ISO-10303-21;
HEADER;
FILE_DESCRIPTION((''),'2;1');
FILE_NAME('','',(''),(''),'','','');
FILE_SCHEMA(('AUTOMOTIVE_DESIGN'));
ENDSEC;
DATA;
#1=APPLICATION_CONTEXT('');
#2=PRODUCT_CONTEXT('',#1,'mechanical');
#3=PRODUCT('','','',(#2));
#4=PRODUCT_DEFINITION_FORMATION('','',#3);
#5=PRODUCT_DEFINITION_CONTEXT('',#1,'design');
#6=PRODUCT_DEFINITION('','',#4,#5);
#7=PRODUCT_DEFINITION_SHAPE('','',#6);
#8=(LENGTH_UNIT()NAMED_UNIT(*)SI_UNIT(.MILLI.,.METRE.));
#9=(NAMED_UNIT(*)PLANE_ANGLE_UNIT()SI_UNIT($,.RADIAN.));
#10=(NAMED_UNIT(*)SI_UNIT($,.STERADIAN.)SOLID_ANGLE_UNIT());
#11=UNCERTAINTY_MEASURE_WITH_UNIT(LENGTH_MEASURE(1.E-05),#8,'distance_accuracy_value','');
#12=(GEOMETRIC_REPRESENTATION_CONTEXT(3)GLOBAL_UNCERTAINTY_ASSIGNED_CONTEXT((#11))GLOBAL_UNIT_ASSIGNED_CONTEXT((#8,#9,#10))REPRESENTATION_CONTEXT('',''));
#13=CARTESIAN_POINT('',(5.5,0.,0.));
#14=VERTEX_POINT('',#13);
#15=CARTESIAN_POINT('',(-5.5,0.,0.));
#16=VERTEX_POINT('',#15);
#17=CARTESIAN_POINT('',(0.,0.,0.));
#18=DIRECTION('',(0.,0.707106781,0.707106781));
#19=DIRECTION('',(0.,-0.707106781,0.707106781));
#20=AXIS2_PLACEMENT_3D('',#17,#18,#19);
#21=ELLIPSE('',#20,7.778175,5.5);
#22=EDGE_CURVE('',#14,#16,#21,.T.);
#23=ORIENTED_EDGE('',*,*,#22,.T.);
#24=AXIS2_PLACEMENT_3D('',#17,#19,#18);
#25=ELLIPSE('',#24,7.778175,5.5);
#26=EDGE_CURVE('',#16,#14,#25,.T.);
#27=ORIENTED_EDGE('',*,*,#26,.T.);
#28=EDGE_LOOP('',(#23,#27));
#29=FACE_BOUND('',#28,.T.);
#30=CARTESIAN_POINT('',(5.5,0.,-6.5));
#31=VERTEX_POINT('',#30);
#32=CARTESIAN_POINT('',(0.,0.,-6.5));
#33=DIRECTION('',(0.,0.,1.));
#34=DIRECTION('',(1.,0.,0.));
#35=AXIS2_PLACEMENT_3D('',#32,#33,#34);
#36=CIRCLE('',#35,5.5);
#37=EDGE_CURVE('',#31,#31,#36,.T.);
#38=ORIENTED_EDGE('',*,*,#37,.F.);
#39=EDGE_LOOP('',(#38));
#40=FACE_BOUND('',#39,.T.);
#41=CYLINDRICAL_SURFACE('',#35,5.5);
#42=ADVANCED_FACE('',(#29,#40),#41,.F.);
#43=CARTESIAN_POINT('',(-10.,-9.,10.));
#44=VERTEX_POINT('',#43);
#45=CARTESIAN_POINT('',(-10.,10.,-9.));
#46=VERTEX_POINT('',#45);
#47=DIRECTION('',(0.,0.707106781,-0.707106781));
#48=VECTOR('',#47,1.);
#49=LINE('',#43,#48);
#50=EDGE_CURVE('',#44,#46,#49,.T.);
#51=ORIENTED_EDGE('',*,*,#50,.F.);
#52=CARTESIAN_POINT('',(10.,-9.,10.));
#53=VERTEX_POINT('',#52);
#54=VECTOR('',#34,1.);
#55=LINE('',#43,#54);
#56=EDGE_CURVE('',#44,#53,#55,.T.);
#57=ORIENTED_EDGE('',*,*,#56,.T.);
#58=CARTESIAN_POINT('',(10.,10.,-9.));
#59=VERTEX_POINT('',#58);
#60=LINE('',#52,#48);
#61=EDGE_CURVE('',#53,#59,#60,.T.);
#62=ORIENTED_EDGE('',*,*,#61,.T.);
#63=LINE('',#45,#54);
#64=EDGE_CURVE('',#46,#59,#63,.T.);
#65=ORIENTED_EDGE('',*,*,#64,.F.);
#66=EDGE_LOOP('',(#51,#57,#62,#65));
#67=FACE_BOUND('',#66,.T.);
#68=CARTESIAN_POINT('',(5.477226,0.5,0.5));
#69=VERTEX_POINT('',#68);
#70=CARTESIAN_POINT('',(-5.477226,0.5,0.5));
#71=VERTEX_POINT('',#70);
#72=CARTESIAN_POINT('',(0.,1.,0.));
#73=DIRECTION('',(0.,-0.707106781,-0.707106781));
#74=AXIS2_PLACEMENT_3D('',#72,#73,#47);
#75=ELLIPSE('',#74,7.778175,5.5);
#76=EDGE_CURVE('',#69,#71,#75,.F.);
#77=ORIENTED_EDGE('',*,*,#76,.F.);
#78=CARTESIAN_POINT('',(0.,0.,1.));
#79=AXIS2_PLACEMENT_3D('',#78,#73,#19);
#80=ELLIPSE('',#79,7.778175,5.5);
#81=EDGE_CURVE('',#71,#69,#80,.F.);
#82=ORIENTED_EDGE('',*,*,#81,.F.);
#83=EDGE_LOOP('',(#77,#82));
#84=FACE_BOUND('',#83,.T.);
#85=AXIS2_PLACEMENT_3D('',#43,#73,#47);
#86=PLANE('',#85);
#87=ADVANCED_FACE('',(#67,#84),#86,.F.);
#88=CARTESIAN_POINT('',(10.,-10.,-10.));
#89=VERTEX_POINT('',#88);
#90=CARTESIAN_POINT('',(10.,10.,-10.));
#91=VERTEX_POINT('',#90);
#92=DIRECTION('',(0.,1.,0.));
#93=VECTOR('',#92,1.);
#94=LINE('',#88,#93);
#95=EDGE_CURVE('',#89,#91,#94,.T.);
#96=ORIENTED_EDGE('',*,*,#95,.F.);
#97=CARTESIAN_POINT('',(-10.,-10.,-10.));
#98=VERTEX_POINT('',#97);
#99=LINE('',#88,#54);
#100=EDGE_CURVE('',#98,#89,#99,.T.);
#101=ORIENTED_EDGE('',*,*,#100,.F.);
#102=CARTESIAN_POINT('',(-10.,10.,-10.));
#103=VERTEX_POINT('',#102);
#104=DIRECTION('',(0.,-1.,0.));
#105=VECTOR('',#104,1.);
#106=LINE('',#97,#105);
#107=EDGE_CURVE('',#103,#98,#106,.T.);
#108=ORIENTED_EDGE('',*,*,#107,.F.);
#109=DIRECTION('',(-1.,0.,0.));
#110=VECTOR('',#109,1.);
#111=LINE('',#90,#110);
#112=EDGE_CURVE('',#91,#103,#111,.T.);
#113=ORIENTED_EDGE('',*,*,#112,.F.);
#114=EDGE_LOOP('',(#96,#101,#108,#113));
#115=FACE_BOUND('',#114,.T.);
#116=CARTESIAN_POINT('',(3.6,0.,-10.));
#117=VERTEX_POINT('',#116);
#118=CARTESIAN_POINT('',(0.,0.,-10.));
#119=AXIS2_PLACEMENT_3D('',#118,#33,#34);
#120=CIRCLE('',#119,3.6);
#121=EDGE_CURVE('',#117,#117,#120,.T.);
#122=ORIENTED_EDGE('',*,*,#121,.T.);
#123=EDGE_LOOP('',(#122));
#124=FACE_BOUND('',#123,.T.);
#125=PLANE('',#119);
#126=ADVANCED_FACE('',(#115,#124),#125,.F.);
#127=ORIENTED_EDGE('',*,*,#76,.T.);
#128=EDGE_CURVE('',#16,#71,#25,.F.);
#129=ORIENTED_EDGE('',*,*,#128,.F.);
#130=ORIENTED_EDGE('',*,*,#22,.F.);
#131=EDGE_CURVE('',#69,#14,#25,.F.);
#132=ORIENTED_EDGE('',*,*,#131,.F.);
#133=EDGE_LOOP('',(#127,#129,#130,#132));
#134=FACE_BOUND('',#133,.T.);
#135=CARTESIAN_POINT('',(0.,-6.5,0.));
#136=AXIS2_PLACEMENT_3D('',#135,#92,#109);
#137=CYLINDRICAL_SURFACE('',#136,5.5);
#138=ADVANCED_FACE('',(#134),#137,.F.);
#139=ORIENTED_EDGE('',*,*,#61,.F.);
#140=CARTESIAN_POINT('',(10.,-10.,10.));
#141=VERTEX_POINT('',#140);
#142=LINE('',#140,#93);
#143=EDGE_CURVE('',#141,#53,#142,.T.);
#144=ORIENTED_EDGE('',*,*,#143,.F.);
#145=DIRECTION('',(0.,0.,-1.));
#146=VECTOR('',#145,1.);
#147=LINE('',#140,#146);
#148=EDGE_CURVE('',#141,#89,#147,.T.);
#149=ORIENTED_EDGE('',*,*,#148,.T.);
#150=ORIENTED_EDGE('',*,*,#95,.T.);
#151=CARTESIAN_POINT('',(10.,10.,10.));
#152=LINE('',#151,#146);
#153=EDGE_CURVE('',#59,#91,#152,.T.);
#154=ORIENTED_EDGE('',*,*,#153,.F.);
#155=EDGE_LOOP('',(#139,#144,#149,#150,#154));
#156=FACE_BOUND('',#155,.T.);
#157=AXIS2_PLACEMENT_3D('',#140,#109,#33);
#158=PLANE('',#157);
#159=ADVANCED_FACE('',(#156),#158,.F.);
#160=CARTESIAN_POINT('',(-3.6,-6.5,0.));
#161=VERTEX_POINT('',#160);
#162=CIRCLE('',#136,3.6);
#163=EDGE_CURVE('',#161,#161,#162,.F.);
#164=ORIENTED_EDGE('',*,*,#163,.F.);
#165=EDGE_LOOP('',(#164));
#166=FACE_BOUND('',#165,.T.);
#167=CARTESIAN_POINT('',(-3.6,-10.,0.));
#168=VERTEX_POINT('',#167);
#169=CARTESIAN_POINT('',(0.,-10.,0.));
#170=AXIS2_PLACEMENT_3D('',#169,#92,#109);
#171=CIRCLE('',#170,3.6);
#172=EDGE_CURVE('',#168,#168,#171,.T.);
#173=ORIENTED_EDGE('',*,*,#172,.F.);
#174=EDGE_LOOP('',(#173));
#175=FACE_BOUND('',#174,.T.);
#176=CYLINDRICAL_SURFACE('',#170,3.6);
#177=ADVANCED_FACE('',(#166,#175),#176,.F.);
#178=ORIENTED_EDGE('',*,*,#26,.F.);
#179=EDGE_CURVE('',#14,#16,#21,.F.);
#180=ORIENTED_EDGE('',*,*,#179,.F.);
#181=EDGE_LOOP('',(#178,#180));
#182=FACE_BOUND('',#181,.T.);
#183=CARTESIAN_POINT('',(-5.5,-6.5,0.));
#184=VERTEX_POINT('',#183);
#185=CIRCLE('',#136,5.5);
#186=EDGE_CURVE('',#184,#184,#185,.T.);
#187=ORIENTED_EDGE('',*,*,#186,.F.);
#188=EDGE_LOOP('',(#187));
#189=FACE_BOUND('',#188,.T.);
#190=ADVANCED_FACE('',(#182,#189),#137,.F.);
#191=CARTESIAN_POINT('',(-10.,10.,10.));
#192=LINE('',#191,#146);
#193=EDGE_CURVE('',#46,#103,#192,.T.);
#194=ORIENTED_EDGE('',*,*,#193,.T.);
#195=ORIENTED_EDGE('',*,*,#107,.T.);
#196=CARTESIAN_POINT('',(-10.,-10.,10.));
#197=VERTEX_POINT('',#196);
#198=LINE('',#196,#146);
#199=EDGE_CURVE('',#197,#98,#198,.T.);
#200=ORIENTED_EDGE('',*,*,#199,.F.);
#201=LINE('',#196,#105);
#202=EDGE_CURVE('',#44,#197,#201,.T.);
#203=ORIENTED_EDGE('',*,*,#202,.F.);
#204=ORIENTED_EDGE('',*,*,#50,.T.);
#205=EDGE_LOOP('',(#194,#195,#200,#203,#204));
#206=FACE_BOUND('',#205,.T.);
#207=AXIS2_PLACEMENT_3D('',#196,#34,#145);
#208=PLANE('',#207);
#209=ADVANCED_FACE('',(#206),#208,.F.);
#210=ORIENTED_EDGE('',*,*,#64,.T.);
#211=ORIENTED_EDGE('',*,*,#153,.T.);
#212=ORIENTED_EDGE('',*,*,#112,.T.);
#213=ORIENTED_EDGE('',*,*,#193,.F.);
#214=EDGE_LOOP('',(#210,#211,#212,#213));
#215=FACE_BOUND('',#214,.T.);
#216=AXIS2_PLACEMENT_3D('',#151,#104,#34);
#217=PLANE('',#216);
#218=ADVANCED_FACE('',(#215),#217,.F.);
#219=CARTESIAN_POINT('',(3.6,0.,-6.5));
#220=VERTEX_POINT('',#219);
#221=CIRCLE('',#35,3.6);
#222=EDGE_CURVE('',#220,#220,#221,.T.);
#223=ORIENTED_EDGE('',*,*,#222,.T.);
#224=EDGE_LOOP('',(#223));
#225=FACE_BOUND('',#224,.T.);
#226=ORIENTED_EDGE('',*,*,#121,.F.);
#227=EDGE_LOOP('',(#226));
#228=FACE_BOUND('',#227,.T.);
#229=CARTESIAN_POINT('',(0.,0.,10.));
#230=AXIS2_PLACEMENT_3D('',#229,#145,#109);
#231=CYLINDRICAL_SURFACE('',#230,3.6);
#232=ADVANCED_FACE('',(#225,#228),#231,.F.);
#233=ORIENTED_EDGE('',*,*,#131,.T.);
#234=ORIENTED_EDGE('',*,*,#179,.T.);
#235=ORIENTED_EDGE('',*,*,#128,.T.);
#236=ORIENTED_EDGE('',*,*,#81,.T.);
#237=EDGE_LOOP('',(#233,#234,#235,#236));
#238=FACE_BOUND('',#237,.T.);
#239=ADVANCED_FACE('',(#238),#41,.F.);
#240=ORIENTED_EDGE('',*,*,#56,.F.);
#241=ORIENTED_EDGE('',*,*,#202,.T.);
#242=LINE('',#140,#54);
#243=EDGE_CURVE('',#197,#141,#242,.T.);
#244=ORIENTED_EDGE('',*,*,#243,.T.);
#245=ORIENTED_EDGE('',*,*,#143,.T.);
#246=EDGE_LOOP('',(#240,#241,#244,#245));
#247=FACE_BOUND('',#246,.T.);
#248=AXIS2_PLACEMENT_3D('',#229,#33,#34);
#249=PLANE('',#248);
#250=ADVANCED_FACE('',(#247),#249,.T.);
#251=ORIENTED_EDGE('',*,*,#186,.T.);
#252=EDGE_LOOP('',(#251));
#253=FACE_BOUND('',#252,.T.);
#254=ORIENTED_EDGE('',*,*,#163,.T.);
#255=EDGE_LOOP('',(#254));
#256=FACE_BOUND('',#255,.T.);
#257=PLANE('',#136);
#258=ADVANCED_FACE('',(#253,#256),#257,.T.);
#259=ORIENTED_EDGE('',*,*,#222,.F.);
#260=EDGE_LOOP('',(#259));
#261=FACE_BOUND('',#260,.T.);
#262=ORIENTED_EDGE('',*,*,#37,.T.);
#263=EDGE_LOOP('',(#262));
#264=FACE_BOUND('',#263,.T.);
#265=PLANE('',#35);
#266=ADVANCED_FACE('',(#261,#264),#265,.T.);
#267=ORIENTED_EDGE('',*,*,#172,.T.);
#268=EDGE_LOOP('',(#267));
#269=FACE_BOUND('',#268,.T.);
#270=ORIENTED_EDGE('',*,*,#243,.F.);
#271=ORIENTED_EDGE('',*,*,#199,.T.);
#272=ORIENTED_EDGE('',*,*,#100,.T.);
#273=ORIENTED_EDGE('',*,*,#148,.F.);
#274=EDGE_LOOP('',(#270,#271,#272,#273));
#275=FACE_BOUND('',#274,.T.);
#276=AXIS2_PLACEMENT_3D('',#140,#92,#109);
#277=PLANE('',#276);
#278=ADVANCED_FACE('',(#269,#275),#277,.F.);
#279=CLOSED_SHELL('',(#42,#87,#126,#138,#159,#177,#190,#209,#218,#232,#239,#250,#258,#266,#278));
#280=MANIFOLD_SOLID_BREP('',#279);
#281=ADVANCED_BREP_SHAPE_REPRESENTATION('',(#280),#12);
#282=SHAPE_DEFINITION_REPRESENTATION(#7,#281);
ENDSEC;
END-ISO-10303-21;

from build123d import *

# Parameters (mm, degrees)
SKETCH1_W           = 20
SKETCH1_H           = 20
SKETCH1_R           = 3.6
BOSS_EXTRUDE1_DEPTH = 10
SKETCH2_R           = 5.5
CUT_EXTRUDE1_DEPTH  = 16.5
SKETCH4_R           = 3.6
CUT_EXTRUDE2_DEPTH  = 21
SKETCH5_R           = 5.5
CUT_EXTRUDE3_DEPTH  = 16.5
CUT_EXTRUDE4_DEPTH  = 21


with BuildPart() as part:
    # Sketch1 → Boss-Extrude1 (new body, symmetric)
    with BuildSketch(Plane.XY):
        Rectangle(SKETCH1_W, SKETCH1_H)
        Circle(SKETCH1_R, mode=Mode.SUBTRACT)
    extrude(amount=BOSS_EXTRUDE1_DEPTH, both=True)

    # Sketch2 → Cut-Extrude1 (cut)
    with BuildSketch(Plane.XY.offset(10)):
        Circle(SKETCH2_R)
    extrude(amount=-CUT_EXTRUDE1_DEPTH, mode=Mode.SUBTRACT)

    # Sketch4 → Cut-Extrude2 (cut, through all)
    with BuildSketch(Plane(origin=(0, 10, 0), x_dir=(1, 0, 0), z_dir=(0, 1, 0))):
        Circle(SKETCH4_R)
    extrude(amount=-CUT_EXTRUDE2_DEPTH, mode=Mode.SUBTRACT)

    # Sketch5 → Cut-Extrude3 (cut)
    with BuildSketch(Plane(origin=(0, 10, 0), x_dir=(1, 0, 0), z_dir=(0, 1, 0))):
        Circle(SKETCH5_R)
    extrude(amount=-CUT_EXTRUDE3_DEPTH, mode=Mode.SUBTRACT)

    # Sketch6 → Cut-Extrude4 (cut, through all)
    with BuildSketch(Plane(origin=(10, 0, 0), x_dir=(0, 0, -1), z_dir=(1, 0, 0))):
        Polygon((-10, -9), (9, 10), (-10, 10), align=None)
    extrude(amount=-CUT_EXTRUDE4_DEPTH, mode=Mode.SUBTRACT)


solid = part.part
